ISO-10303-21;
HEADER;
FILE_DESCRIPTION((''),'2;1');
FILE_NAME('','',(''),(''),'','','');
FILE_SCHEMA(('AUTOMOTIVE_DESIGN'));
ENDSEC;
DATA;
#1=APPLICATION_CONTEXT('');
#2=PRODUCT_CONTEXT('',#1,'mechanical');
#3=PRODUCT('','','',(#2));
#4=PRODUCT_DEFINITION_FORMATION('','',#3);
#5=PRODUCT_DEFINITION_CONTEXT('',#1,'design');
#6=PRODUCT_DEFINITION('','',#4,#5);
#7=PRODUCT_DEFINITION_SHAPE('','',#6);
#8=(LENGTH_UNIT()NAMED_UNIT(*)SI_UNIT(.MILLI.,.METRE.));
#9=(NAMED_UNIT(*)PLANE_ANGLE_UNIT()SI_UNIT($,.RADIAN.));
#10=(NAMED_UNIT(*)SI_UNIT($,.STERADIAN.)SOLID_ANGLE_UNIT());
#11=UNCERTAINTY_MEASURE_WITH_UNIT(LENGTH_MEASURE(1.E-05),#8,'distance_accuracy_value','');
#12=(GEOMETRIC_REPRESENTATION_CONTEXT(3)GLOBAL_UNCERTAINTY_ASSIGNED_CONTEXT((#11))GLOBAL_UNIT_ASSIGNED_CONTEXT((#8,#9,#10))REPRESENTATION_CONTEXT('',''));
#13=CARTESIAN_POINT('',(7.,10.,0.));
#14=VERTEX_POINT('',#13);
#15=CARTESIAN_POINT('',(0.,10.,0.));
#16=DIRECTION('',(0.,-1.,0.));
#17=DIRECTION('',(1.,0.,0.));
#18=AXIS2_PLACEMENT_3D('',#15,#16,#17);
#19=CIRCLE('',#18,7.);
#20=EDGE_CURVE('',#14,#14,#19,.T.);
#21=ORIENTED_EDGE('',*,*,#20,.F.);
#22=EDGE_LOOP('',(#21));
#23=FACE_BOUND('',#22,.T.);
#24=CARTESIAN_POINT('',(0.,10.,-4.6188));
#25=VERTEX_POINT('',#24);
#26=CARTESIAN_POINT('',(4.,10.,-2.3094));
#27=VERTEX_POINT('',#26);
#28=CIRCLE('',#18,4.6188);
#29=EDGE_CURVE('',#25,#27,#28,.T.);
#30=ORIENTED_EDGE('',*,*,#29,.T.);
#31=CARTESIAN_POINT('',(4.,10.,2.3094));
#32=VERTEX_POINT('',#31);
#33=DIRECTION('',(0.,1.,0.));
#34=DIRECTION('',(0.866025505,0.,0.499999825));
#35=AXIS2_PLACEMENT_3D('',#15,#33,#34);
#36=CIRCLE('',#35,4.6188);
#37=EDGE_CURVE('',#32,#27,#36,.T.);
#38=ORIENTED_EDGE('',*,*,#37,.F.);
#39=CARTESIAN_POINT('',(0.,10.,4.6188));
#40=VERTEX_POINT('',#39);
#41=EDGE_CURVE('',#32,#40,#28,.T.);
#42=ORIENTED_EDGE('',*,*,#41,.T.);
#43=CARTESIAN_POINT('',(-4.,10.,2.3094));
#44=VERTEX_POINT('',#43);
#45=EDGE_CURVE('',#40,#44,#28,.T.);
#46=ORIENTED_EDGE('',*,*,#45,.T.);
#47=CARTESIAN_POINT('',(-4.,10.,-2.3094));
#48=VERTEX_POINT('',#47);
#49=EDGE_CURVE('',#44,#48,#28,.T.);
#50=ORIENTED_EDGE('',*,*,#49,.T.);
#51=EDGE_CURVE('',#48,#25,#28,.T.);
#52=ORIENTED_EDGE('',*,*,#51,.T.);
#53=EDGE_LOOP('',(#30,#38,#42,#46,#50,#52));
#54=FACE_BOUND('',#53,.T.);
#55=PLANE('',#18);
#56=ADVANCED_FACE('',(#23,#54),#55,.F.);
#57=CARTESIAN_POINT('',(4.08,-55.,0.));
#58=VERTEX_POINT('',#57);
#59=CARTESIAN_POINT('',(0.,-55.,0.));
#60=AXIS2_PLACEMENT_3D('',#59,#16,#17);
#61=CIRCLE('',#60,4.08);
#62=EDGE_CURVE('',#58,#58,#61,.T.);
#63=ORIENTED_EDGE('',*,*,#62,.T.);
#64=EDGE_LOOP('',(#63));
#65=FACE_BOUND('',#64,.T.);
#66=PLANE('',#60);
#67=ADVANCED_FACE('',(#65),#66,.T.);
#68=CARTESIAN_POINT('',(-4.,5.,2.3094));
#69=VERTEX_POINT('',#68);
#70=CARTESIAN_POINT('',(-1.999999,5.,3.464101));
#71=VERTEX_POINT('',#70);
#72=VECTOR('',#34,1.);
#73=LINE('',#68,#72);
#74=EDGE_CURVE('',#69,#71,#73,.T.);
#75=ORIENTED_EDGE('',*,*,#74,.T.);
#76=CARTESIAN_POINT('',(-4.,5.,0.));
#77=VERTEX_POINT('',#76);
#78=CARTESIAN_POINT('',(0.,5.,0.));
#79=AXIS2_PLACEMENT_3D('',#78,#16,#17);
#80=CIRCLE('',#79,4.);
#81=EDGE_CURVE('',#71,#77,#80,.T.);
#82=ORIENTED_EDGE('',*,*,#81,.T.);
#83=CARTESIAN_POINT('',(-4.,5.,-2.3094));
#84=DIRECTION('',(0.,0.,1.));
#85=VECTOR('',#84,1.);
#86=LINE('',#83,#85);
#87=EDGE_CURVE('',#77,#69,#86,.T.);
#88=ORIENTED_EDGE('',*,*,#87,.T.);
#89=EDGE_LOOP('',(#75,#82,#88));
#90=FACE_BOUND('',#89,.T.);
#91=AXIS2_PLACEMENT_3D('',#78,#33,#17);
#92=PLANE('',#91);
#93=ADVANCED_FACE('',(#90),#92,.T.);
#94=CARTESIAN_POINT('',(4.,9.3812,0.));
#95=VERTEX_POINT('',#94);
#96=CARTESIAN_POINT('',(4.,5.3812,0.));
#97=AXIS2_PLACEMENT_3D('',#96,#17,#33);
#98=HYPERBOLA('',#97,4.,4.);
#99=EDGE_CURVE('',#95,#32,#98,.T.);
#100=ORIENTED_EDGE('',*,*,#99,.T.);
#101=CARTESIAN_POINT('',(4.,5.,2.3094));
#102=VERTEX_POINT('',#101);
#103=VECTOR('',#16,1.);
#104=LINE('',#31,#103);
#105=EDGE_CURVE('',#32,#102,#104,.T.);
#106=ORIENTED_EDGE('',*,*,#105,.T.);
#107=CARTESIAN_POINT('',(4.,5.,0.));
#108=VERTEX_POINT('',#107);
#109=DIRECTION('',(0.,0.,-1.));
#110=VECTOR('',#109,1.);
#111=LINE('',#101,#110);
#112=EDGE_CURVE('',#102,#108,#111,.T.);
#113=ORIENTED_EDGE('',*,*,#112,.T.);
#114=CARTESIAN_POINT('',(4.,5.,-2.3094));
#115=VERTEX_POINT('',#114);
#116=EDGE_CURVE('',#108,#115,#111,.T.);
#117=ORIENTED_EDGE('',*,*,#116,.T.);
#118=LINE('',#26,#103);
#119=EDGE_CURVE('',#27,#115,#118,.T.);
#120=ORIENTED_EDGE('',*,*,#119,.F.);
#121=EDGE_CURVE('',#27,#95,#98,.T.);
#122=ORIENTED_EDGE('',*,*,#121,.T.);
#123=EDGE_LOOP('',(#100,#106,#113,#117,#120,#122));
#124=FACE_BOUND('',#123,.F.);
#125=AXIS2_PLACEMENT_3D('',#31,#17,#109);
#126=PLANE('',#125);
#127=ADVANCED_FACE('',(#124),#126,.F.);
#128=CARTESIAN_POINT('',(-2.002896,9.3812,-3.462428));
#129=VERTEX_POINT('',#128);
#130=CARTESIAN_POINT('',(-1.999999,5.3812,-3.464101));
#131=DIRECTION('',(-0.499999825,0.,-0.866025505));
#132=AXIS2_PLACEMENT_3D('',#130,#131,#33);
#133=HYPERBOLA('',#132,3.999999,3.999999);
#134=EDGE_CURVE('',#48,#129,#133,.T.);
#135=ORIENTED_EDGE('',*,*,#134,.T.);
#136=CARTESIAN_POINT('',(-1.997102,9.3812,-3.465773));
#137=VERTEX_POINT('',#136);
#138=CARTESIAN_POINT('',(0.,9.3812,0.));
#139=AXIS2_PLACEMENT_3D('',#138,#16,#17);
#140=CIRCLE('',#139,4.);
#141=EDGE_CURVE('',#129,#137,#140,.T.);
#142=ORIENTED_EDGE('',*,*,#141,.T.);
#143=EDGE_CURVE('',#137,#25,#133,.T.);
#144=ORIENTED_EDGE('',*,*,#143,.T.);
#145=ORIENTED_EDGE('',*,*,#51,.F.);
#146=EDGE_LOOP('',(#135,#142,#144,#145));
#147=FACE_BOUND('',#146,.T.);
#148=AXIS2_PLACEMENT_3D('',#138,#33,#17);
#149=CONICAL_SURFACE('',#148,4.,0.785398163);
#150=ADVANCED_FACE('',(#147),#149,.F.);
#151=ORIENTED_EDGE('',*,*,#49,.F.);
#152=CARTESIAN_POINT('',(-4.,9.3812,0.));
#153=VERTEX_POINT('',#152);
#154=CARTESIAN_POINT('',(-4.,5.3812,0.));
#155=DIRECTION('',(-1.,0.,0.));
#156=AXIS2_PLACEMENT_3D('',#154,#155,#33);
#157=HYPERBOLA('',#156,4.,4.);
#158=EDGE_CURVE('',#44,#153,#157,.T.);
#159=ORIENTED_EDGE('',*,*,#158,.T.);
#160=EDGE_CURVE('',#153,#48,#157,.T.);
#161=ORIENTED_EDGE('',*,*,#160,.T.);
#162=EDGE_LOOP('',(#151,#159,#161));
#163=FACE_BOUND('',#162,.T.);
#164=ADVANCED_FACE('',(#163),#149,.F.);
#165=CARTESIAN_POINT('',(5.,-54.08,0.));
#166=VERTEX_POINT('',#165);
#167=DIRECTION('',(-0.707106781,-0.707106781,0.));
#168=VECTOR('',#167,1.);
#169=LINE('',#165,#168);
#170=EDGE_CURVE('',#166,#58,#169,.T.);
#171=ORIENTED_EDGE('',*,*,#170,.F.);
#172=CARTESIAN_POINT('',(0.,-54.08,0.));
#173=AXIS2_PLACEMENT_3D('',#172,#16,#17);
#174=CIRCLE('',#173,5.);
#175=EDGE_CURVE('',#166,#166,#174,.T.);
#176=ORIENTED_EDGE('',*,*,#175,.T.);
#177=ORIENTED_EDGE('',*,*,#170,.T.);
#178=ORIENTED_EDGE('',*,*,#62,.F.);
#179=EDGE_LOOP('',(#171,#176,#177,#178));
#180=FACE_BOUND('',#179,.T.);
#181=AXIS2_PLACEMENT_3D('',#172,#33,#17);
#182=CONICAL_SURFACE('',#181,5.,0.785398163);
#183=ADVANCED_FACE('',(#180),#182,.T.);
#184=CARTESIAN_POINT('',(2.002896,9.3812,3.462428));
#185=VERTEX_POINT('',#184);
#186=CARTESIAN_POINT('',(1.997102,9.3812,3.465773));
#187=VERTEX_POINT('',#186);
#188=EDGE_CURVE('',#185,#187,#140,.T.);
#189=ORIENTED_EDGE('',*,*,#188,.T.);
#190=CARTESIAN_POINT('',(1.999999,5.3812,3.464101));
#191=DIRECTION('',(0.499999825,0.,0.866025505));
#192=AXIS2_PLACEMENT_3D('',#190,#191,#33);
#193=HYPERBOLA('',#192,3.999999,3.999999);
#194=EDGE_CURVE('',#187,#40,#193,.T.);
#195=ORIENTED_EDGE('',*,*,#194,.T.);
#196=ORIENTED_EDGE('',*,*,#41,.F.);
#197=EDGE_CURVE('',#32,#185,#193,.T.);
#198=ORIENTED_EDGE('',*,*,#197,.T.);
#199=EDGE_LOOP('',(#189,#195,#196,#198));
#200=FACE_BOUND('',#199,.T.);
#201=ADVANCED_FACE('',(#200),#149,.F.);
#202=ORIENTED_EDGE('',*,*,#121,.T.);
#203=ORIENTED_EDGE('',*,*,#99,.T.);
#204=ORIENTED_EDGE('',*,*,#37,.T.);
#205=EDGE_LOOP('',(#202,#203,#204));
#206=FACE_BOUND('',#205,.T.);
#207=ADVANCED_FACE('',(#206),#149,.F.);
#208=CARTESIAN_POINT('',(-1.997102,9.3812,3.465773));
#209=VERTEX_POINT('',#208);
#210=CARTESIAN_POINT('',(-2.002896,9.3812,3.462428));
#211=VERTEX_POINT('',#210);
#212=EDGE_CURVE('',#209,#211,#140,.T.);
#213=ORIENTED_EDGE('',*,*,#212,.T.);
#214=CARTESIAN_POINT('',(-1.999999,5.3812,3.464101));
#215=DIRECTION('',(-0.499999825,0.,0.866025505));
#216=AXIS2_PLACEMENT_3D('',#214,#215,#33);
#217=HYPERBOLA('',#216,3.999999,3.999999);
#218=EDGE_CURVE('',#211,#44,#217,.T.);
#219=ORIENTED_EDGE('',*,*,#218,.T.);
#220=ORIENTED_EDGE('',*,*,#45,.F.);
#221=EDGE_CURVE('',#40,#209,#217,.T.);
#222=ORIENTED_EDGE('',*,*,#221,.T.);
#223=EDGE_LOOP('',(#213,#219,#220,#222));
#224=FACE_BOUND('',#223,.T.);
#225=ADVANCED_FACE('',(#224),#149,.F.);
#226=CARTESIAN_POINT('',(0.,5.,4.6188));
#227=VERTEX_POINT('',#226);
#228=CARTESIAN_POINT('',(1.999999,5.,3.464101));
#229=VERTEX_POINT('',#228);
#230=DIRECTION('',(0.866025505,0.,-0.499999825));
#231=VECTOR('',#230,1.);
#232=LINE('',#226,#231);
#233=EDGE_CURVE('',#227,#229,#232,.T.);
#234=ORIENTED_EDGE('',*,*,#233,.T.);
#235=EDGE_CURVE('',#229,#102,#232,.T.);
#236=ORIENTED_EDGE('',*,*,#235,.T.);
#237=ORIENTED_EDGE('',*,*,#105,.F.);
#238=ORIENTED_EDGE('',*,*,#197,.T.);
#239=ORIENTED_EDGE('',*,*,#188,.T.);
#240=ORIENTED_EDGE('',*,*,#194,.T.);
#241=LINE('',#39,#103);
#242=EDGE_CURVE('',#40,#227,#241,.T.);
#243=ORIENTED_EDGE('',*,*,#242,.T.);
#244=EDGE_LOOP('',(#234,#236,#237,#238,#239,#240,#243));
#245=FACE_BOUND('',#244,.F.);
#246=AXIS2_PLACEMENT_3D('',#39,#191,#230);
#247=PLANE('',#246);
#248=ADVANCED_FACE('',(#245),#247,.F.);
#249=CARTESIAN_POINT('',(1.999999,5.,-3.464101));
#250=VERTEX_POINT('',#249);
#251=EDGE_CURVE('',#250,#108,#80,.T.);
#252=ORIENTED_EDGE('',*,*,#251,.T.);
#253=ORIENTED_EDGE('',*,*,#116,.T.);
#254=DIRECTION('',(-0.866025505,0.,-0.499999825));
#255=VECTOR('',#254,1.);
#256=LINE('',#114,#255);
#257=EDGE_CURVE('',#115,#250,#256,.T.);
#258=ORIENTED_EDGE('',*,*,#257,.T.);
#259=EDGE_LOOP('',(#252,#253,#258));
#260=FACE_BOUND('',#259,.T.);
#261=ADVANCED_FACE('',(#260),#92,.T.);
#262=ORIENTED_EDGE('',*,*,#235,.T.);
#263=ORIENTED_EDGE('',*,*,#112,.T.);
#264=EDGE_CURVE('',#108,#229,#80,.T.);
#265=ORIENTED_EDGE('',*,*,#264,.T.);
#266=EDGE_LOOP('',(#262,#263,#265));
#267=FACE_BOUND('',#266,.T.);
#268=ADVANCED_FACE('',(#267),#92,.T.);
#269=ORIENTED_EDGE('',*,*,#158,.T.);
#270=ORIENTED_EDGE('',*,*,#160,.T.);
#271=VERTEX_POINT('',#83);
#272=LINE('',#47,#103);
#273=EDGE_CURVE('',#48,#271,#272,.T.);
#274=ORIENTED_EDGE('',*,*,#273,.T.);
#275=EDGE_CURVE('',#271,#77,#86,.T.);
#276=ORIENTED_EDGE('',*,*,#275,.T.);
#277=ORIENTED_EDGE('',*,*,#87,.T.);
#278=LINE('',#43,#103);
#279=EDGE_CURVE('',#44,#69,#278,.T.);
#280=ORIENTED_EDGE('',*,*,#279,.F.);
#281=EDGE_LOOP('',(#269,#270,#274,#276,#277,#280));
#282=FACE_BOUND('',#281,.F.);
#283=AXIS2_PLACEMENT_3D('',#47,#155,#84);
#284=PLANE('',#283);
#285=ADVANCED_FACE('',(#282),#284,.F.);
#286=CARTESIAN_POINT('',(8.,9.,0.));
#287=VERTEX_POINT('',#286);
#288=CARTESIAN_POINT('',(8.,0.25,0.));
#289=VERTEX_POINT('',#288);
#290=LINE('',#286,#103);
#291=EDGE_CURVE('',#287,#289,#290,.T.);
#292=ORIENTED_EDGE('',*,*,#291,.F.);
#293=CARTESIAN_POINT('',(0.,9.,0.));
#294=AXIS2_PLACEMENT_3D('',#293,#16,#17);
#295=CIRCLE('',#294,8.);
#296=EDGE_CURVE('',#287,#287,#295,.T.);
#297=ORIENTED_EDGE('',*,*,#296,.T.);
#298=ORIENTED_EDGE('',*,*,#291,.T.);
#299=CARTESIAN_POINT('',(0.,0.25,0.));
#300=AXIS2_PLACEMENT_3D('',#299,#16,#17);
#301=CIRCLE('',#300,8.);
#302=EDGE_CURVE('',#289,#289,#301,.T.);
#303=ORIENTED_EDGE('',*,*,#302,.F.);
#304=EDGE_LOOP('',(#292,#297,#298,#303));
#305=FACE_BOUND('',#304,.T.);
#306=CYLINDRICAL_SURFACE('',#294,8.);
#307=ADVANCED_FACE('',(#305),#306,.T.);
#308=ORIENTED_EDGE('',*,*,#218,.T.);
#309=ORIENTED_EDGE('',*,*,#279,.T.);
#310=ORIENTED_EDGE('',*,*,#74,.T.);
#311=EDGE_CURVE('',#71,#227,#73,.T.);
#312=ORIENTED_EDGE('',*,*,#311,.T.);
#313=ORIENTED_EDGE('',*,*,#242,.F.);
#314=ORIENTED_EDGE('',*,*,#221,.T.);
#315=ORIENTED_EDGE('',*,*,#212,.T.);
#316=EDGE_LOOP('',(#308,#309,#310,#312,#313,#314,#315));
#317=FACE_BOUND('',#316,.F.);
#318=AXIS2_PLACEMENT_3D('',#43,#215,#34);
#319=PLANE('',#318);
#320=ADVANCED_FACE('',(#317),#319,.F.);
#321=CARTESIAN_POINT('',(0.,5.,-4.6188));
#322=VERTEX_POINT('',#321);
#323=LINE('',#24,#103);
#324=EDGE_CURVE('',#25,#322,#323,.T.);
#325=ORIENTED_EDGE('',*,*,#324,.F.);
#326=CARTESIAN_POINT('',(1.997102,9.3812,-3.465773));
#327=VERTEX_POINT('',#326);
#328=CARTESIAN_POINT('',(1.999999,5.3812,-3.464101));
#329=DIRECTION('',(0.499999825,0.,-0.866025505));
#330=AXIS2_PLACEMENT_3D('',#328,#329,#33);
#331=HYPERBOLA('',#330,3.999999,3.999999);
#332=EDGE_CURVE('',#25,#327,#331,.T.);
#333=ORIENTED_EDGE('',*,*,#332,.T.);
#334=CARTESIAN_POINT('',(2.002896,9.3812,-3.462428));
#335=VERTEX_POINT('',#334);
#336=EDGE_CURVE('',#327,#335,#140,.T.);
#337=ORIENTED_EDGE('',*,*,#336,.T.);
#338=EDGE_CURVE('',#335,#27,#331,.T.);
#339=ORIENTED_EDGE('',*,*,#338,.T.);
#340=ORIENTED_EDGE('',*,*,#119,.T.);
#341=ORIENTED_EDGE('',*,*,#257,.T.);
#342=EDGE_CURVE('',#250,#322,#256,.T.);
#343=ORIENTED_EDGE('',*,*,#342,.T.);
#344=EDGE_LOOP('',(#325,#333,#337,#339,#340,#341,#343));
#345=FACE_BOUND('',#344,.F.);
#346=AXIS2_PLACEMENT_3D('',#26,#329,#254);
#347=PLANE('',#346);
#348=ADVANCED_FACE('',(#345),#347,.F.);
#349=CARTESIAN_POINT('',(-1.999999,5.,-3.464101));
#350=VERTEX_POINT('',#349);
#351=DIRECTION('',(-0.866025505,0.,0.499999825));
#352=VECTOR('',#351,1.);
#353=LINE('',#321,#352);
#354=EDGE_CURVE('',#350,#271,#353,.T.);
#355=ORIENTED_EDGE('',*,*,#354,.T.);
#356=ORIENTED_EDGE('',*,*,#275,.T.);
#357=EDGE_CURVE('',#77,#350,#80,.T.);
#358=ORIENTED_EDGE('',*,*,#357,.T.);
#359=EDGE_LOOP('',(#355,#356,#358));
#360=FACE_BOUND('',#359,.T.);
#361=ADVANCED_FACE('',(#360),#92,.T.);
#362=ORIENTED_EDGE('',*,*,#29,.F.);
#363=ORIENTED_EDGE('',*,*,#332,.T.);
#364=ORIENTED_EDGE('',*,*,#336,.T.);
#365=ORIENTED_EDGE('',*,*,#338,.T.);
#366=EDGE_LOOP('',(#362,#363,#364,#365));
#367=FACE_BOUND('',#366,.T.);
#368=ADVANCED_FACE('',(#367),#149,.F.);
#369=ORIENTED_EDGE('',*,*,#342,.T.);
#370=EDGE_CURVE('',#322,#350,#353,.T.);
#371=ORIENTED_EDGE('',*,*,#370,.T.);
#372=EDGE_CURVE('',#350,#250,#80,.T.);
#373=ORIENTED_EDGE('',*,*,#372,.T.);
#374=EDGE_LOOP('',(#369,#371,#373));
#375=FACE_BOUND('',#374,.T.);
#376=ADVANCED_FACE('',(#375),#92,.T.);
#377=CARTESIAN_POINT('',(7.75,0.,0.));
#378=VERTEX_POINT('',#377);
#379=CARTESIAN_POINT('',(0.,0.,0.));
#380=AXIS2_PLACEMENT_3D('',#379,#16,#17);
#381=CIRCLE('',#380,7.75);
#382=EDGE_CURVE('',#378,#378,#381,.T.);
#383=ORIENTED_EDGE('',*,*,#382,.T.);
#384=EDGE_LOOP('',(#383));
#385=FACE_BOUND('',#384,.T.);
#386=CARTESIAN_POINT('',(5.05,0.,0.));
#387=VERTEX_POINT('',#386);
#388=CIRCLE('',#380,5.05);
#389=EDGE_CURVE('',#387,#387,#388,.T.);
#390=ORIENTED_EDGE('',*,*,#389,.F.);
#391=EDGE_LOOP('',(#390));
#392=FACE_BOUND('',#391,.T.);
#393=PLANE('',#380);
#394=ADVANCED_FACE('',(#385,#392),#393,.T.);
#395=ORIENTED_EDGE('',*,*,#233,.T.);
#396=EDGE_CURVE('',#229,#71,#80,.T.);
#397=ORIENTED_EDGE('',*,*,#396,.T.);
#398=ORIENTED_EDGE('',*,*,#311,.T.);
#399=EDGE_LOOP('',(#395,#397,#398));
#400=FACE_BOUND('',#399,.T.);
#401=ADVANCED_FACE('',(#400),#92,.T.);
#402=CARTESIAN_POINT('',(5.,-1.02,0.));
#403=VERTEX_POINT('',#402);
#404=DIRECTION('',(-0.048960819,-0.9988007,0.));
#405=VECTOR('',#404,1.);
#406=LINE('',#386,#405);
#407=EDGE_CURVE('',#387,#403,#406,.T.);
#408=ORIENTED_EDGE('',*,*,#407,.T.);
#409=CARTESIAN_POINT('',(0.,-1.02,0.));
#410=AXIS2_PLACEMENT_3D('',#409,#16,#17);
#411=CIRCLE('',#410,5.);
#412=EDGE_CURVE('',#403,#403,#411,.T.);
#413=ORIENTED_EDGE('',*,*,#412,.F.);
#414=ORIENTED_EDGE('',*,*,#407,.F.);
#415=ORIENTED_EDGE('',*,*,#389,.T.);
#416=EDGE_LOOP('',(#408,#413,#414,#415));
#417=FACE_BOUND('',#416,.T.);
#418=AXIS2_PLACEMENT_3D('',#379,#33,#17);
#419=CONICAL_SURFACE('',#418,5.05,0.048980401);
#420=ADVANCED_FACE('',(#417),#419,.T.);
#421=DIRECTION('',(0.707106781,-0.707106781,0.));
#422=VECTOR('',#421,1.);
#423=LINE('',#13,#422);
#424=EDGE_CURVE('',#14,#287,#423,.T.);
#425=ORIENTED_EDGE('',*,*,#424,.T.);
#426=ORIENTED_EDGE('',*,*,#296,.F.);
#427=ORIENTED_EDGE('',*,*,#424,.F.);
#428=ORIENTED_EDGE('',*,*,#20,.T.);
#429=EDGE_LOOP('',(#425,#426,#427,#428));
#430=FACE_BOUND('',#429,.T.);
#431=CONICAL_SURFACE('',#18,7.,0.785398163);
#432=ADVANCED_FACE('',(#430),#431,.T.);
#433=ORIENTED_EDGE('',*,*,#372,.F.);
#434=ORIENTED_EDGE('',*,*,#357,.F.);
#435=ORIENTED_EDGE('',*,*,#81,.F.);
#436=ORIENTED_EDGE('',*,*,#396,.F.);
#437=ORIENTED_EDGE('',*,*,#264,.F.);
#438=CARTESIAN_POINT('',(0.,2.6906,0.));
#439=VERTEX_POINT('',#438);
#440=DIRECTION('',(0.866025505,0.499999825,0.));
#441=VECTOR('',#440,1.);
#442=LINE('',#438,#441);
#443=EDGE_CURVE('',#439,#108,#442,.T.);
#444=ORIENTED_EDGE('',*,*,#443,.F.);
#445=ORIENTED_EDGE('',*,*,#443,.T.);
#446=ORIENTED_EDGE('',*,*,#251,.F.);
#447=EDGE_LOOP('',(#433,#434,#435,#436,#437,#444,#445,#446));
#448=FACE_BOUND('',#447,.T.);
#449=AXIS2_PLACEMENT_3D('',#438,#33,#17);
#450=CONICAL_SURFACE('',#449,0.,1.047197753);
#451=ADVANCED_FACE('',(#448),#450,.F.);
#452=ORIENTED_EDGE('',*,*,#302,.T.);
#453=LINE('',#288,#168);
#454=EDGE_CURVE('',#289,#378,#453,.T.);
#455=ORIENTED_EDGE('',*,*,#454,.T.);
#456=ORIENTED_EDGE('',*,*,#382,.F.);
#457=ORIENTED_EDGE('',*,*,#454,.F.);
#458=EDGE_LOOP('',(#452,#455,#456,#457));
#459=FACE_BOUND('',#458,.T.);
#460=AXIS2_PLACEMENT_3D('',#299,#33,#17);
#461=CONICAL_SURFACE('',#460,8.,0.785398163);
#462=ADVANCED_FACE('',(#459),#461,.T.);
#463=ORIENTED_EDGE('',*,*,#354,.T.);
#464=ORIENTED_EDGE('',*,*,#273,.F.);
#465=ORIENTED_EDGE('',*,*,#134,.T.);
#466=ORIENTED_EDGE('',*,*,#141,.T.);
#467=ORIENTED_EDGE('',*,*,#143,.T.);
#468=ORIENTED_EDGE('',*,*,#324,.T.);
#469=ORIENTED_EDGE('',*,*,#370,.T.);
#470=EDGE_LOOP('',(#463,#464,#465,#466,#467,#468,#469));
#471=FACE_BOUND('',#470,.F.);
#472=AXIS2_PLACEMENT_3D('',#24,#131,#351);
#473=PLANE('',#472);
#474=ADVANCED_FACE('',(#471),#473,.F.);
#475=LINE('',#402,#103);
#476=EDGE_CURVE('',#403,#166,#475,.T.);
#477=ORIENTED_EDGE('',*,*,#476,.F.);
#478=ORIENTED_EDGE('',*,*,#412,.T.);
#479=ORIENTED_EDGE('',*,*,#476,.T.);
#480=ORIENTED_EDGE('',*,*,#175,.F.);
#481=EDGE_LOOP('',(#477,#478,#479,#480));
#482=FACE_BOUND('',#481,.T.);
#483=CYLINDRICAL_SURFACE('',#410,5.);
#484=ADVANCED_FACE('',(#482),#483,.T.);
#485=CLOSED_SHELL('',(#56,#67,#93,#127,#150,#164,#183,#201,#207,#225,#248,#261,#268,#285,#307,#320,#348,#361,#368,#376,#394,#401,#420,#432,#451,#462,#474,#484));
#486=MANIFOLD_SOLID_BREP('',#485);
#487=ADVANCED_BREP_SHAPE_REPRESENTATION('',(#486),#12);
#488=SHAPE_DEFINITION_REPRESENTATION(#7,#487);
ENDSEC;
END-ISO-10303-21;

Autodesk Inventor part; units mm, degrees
sketch "Sketch_1" plane through (0, 0, 0) normal (0, 0, 1) x (1, 0, 0)
  line L0 (0, -55) -> (0, 10)
  line L1 (0, 2.6906) -> (4, 5)
  line L2 (4, 5) -> (4, 9.3812)
  line L3 (4, 9.3812) -> (4.6188, 10)
  line L4 (4.6188, 10) -> (7, 10)
  line L5 (7, 10) -> (8, 9)
  line L6 (8, 9) -> (8, 0.25)
  line L7 (8, 0.25) -> (7.75, 0)
  line L8 (7.75, 0) -> (5.05, 0)
  line L9 (5.05, 0) -> (5, -1.02)
  line L10 (5, -1.02) -> (5, -54.08)
  line L11 (5, -54.08) -> (4.08, -55)
  line L12 (4.08, -55) -> (0, -55)
  line L13 (0, -55) -> (0, 2.6906)
revolve "Revolution1" add sketch "Sketch_1" angle 360 about axis through (0, -55, 0) along (0, -1, 0)
thread "Thread1" size "M10x1.5" class "6g" standard "ISO Metric profile" length 31.08
sketch "Sketch_2" plane through (0, 10, 0) normal (0, 1, 0) x (1, 0, 0)
  line L0 (-4, -2.3094) -> (0, -4.6188)
  line L1 (0, -4.6188) -> (4, -2.3094)
  line L2 (4, -2.3094) -> (4, 2.3094)
  line L3 (4, 2.3094) -> (0, 4.6188)
  line L4 (0, 4.6188) -> (-4, 2.3094)
  line L5 (-4, 2.3094) -> (-4, -2.3094)
extrude "Extrusion1" cut sketch "Sketch_2" against normal blind 5
ref_plane "ANBAU_XY" through (0, 0, 0) normal (0, 1, 0) x (1, 0, 0)
ref_plane "ANBAU_YZ" through (0, 0, 0) normal (1, 0, 0) x (0, 0, -1)
ref_plane "ANBAU_ZX" through (0, 0, 0) normal (0, 0, -1) x (0, 1, 0)
ref_plane "Schraube_XY" through (0, 0, 0) normal (0, 1, 0) x (1, 0, 0)
ref_plane "Schraube_YZ" through (0, 0, 0) normal (1, 0, 0) x (0, 0, -1)
ref_plane "Schraube_ZX" through (0, 0, 0) normal (0, 0, -1) x (0, 1, 0)
ref_plane "insert_XY" through (0, 0, 0) normal (0, 1, 0) x (1, 0, 0)
ref_plane "insert_YZ" through (0, 0, 0) normal (1, 0, 0) x (0, 0, -1)
ref_plane "insert_ZX" through (0, 0, 0) normal (0, 0, -1) x (0, 1, 0)
ref_plane "schrauben_punkt_XY" through (0, -55, 0) normal (0, 1, 0) x (1, 0, 0)
ref_plane "schrauben_punkt_YZ" through (0, -55, 0) normal (1, 0, 0) x (0, 0, -1)
ref_plane "schrauben_punkt_ZX" through (0, -55, 0) normal (0, 0, -1) x (0, 1, 0)
properties part number "DIN-912 - M10x55(F)"
